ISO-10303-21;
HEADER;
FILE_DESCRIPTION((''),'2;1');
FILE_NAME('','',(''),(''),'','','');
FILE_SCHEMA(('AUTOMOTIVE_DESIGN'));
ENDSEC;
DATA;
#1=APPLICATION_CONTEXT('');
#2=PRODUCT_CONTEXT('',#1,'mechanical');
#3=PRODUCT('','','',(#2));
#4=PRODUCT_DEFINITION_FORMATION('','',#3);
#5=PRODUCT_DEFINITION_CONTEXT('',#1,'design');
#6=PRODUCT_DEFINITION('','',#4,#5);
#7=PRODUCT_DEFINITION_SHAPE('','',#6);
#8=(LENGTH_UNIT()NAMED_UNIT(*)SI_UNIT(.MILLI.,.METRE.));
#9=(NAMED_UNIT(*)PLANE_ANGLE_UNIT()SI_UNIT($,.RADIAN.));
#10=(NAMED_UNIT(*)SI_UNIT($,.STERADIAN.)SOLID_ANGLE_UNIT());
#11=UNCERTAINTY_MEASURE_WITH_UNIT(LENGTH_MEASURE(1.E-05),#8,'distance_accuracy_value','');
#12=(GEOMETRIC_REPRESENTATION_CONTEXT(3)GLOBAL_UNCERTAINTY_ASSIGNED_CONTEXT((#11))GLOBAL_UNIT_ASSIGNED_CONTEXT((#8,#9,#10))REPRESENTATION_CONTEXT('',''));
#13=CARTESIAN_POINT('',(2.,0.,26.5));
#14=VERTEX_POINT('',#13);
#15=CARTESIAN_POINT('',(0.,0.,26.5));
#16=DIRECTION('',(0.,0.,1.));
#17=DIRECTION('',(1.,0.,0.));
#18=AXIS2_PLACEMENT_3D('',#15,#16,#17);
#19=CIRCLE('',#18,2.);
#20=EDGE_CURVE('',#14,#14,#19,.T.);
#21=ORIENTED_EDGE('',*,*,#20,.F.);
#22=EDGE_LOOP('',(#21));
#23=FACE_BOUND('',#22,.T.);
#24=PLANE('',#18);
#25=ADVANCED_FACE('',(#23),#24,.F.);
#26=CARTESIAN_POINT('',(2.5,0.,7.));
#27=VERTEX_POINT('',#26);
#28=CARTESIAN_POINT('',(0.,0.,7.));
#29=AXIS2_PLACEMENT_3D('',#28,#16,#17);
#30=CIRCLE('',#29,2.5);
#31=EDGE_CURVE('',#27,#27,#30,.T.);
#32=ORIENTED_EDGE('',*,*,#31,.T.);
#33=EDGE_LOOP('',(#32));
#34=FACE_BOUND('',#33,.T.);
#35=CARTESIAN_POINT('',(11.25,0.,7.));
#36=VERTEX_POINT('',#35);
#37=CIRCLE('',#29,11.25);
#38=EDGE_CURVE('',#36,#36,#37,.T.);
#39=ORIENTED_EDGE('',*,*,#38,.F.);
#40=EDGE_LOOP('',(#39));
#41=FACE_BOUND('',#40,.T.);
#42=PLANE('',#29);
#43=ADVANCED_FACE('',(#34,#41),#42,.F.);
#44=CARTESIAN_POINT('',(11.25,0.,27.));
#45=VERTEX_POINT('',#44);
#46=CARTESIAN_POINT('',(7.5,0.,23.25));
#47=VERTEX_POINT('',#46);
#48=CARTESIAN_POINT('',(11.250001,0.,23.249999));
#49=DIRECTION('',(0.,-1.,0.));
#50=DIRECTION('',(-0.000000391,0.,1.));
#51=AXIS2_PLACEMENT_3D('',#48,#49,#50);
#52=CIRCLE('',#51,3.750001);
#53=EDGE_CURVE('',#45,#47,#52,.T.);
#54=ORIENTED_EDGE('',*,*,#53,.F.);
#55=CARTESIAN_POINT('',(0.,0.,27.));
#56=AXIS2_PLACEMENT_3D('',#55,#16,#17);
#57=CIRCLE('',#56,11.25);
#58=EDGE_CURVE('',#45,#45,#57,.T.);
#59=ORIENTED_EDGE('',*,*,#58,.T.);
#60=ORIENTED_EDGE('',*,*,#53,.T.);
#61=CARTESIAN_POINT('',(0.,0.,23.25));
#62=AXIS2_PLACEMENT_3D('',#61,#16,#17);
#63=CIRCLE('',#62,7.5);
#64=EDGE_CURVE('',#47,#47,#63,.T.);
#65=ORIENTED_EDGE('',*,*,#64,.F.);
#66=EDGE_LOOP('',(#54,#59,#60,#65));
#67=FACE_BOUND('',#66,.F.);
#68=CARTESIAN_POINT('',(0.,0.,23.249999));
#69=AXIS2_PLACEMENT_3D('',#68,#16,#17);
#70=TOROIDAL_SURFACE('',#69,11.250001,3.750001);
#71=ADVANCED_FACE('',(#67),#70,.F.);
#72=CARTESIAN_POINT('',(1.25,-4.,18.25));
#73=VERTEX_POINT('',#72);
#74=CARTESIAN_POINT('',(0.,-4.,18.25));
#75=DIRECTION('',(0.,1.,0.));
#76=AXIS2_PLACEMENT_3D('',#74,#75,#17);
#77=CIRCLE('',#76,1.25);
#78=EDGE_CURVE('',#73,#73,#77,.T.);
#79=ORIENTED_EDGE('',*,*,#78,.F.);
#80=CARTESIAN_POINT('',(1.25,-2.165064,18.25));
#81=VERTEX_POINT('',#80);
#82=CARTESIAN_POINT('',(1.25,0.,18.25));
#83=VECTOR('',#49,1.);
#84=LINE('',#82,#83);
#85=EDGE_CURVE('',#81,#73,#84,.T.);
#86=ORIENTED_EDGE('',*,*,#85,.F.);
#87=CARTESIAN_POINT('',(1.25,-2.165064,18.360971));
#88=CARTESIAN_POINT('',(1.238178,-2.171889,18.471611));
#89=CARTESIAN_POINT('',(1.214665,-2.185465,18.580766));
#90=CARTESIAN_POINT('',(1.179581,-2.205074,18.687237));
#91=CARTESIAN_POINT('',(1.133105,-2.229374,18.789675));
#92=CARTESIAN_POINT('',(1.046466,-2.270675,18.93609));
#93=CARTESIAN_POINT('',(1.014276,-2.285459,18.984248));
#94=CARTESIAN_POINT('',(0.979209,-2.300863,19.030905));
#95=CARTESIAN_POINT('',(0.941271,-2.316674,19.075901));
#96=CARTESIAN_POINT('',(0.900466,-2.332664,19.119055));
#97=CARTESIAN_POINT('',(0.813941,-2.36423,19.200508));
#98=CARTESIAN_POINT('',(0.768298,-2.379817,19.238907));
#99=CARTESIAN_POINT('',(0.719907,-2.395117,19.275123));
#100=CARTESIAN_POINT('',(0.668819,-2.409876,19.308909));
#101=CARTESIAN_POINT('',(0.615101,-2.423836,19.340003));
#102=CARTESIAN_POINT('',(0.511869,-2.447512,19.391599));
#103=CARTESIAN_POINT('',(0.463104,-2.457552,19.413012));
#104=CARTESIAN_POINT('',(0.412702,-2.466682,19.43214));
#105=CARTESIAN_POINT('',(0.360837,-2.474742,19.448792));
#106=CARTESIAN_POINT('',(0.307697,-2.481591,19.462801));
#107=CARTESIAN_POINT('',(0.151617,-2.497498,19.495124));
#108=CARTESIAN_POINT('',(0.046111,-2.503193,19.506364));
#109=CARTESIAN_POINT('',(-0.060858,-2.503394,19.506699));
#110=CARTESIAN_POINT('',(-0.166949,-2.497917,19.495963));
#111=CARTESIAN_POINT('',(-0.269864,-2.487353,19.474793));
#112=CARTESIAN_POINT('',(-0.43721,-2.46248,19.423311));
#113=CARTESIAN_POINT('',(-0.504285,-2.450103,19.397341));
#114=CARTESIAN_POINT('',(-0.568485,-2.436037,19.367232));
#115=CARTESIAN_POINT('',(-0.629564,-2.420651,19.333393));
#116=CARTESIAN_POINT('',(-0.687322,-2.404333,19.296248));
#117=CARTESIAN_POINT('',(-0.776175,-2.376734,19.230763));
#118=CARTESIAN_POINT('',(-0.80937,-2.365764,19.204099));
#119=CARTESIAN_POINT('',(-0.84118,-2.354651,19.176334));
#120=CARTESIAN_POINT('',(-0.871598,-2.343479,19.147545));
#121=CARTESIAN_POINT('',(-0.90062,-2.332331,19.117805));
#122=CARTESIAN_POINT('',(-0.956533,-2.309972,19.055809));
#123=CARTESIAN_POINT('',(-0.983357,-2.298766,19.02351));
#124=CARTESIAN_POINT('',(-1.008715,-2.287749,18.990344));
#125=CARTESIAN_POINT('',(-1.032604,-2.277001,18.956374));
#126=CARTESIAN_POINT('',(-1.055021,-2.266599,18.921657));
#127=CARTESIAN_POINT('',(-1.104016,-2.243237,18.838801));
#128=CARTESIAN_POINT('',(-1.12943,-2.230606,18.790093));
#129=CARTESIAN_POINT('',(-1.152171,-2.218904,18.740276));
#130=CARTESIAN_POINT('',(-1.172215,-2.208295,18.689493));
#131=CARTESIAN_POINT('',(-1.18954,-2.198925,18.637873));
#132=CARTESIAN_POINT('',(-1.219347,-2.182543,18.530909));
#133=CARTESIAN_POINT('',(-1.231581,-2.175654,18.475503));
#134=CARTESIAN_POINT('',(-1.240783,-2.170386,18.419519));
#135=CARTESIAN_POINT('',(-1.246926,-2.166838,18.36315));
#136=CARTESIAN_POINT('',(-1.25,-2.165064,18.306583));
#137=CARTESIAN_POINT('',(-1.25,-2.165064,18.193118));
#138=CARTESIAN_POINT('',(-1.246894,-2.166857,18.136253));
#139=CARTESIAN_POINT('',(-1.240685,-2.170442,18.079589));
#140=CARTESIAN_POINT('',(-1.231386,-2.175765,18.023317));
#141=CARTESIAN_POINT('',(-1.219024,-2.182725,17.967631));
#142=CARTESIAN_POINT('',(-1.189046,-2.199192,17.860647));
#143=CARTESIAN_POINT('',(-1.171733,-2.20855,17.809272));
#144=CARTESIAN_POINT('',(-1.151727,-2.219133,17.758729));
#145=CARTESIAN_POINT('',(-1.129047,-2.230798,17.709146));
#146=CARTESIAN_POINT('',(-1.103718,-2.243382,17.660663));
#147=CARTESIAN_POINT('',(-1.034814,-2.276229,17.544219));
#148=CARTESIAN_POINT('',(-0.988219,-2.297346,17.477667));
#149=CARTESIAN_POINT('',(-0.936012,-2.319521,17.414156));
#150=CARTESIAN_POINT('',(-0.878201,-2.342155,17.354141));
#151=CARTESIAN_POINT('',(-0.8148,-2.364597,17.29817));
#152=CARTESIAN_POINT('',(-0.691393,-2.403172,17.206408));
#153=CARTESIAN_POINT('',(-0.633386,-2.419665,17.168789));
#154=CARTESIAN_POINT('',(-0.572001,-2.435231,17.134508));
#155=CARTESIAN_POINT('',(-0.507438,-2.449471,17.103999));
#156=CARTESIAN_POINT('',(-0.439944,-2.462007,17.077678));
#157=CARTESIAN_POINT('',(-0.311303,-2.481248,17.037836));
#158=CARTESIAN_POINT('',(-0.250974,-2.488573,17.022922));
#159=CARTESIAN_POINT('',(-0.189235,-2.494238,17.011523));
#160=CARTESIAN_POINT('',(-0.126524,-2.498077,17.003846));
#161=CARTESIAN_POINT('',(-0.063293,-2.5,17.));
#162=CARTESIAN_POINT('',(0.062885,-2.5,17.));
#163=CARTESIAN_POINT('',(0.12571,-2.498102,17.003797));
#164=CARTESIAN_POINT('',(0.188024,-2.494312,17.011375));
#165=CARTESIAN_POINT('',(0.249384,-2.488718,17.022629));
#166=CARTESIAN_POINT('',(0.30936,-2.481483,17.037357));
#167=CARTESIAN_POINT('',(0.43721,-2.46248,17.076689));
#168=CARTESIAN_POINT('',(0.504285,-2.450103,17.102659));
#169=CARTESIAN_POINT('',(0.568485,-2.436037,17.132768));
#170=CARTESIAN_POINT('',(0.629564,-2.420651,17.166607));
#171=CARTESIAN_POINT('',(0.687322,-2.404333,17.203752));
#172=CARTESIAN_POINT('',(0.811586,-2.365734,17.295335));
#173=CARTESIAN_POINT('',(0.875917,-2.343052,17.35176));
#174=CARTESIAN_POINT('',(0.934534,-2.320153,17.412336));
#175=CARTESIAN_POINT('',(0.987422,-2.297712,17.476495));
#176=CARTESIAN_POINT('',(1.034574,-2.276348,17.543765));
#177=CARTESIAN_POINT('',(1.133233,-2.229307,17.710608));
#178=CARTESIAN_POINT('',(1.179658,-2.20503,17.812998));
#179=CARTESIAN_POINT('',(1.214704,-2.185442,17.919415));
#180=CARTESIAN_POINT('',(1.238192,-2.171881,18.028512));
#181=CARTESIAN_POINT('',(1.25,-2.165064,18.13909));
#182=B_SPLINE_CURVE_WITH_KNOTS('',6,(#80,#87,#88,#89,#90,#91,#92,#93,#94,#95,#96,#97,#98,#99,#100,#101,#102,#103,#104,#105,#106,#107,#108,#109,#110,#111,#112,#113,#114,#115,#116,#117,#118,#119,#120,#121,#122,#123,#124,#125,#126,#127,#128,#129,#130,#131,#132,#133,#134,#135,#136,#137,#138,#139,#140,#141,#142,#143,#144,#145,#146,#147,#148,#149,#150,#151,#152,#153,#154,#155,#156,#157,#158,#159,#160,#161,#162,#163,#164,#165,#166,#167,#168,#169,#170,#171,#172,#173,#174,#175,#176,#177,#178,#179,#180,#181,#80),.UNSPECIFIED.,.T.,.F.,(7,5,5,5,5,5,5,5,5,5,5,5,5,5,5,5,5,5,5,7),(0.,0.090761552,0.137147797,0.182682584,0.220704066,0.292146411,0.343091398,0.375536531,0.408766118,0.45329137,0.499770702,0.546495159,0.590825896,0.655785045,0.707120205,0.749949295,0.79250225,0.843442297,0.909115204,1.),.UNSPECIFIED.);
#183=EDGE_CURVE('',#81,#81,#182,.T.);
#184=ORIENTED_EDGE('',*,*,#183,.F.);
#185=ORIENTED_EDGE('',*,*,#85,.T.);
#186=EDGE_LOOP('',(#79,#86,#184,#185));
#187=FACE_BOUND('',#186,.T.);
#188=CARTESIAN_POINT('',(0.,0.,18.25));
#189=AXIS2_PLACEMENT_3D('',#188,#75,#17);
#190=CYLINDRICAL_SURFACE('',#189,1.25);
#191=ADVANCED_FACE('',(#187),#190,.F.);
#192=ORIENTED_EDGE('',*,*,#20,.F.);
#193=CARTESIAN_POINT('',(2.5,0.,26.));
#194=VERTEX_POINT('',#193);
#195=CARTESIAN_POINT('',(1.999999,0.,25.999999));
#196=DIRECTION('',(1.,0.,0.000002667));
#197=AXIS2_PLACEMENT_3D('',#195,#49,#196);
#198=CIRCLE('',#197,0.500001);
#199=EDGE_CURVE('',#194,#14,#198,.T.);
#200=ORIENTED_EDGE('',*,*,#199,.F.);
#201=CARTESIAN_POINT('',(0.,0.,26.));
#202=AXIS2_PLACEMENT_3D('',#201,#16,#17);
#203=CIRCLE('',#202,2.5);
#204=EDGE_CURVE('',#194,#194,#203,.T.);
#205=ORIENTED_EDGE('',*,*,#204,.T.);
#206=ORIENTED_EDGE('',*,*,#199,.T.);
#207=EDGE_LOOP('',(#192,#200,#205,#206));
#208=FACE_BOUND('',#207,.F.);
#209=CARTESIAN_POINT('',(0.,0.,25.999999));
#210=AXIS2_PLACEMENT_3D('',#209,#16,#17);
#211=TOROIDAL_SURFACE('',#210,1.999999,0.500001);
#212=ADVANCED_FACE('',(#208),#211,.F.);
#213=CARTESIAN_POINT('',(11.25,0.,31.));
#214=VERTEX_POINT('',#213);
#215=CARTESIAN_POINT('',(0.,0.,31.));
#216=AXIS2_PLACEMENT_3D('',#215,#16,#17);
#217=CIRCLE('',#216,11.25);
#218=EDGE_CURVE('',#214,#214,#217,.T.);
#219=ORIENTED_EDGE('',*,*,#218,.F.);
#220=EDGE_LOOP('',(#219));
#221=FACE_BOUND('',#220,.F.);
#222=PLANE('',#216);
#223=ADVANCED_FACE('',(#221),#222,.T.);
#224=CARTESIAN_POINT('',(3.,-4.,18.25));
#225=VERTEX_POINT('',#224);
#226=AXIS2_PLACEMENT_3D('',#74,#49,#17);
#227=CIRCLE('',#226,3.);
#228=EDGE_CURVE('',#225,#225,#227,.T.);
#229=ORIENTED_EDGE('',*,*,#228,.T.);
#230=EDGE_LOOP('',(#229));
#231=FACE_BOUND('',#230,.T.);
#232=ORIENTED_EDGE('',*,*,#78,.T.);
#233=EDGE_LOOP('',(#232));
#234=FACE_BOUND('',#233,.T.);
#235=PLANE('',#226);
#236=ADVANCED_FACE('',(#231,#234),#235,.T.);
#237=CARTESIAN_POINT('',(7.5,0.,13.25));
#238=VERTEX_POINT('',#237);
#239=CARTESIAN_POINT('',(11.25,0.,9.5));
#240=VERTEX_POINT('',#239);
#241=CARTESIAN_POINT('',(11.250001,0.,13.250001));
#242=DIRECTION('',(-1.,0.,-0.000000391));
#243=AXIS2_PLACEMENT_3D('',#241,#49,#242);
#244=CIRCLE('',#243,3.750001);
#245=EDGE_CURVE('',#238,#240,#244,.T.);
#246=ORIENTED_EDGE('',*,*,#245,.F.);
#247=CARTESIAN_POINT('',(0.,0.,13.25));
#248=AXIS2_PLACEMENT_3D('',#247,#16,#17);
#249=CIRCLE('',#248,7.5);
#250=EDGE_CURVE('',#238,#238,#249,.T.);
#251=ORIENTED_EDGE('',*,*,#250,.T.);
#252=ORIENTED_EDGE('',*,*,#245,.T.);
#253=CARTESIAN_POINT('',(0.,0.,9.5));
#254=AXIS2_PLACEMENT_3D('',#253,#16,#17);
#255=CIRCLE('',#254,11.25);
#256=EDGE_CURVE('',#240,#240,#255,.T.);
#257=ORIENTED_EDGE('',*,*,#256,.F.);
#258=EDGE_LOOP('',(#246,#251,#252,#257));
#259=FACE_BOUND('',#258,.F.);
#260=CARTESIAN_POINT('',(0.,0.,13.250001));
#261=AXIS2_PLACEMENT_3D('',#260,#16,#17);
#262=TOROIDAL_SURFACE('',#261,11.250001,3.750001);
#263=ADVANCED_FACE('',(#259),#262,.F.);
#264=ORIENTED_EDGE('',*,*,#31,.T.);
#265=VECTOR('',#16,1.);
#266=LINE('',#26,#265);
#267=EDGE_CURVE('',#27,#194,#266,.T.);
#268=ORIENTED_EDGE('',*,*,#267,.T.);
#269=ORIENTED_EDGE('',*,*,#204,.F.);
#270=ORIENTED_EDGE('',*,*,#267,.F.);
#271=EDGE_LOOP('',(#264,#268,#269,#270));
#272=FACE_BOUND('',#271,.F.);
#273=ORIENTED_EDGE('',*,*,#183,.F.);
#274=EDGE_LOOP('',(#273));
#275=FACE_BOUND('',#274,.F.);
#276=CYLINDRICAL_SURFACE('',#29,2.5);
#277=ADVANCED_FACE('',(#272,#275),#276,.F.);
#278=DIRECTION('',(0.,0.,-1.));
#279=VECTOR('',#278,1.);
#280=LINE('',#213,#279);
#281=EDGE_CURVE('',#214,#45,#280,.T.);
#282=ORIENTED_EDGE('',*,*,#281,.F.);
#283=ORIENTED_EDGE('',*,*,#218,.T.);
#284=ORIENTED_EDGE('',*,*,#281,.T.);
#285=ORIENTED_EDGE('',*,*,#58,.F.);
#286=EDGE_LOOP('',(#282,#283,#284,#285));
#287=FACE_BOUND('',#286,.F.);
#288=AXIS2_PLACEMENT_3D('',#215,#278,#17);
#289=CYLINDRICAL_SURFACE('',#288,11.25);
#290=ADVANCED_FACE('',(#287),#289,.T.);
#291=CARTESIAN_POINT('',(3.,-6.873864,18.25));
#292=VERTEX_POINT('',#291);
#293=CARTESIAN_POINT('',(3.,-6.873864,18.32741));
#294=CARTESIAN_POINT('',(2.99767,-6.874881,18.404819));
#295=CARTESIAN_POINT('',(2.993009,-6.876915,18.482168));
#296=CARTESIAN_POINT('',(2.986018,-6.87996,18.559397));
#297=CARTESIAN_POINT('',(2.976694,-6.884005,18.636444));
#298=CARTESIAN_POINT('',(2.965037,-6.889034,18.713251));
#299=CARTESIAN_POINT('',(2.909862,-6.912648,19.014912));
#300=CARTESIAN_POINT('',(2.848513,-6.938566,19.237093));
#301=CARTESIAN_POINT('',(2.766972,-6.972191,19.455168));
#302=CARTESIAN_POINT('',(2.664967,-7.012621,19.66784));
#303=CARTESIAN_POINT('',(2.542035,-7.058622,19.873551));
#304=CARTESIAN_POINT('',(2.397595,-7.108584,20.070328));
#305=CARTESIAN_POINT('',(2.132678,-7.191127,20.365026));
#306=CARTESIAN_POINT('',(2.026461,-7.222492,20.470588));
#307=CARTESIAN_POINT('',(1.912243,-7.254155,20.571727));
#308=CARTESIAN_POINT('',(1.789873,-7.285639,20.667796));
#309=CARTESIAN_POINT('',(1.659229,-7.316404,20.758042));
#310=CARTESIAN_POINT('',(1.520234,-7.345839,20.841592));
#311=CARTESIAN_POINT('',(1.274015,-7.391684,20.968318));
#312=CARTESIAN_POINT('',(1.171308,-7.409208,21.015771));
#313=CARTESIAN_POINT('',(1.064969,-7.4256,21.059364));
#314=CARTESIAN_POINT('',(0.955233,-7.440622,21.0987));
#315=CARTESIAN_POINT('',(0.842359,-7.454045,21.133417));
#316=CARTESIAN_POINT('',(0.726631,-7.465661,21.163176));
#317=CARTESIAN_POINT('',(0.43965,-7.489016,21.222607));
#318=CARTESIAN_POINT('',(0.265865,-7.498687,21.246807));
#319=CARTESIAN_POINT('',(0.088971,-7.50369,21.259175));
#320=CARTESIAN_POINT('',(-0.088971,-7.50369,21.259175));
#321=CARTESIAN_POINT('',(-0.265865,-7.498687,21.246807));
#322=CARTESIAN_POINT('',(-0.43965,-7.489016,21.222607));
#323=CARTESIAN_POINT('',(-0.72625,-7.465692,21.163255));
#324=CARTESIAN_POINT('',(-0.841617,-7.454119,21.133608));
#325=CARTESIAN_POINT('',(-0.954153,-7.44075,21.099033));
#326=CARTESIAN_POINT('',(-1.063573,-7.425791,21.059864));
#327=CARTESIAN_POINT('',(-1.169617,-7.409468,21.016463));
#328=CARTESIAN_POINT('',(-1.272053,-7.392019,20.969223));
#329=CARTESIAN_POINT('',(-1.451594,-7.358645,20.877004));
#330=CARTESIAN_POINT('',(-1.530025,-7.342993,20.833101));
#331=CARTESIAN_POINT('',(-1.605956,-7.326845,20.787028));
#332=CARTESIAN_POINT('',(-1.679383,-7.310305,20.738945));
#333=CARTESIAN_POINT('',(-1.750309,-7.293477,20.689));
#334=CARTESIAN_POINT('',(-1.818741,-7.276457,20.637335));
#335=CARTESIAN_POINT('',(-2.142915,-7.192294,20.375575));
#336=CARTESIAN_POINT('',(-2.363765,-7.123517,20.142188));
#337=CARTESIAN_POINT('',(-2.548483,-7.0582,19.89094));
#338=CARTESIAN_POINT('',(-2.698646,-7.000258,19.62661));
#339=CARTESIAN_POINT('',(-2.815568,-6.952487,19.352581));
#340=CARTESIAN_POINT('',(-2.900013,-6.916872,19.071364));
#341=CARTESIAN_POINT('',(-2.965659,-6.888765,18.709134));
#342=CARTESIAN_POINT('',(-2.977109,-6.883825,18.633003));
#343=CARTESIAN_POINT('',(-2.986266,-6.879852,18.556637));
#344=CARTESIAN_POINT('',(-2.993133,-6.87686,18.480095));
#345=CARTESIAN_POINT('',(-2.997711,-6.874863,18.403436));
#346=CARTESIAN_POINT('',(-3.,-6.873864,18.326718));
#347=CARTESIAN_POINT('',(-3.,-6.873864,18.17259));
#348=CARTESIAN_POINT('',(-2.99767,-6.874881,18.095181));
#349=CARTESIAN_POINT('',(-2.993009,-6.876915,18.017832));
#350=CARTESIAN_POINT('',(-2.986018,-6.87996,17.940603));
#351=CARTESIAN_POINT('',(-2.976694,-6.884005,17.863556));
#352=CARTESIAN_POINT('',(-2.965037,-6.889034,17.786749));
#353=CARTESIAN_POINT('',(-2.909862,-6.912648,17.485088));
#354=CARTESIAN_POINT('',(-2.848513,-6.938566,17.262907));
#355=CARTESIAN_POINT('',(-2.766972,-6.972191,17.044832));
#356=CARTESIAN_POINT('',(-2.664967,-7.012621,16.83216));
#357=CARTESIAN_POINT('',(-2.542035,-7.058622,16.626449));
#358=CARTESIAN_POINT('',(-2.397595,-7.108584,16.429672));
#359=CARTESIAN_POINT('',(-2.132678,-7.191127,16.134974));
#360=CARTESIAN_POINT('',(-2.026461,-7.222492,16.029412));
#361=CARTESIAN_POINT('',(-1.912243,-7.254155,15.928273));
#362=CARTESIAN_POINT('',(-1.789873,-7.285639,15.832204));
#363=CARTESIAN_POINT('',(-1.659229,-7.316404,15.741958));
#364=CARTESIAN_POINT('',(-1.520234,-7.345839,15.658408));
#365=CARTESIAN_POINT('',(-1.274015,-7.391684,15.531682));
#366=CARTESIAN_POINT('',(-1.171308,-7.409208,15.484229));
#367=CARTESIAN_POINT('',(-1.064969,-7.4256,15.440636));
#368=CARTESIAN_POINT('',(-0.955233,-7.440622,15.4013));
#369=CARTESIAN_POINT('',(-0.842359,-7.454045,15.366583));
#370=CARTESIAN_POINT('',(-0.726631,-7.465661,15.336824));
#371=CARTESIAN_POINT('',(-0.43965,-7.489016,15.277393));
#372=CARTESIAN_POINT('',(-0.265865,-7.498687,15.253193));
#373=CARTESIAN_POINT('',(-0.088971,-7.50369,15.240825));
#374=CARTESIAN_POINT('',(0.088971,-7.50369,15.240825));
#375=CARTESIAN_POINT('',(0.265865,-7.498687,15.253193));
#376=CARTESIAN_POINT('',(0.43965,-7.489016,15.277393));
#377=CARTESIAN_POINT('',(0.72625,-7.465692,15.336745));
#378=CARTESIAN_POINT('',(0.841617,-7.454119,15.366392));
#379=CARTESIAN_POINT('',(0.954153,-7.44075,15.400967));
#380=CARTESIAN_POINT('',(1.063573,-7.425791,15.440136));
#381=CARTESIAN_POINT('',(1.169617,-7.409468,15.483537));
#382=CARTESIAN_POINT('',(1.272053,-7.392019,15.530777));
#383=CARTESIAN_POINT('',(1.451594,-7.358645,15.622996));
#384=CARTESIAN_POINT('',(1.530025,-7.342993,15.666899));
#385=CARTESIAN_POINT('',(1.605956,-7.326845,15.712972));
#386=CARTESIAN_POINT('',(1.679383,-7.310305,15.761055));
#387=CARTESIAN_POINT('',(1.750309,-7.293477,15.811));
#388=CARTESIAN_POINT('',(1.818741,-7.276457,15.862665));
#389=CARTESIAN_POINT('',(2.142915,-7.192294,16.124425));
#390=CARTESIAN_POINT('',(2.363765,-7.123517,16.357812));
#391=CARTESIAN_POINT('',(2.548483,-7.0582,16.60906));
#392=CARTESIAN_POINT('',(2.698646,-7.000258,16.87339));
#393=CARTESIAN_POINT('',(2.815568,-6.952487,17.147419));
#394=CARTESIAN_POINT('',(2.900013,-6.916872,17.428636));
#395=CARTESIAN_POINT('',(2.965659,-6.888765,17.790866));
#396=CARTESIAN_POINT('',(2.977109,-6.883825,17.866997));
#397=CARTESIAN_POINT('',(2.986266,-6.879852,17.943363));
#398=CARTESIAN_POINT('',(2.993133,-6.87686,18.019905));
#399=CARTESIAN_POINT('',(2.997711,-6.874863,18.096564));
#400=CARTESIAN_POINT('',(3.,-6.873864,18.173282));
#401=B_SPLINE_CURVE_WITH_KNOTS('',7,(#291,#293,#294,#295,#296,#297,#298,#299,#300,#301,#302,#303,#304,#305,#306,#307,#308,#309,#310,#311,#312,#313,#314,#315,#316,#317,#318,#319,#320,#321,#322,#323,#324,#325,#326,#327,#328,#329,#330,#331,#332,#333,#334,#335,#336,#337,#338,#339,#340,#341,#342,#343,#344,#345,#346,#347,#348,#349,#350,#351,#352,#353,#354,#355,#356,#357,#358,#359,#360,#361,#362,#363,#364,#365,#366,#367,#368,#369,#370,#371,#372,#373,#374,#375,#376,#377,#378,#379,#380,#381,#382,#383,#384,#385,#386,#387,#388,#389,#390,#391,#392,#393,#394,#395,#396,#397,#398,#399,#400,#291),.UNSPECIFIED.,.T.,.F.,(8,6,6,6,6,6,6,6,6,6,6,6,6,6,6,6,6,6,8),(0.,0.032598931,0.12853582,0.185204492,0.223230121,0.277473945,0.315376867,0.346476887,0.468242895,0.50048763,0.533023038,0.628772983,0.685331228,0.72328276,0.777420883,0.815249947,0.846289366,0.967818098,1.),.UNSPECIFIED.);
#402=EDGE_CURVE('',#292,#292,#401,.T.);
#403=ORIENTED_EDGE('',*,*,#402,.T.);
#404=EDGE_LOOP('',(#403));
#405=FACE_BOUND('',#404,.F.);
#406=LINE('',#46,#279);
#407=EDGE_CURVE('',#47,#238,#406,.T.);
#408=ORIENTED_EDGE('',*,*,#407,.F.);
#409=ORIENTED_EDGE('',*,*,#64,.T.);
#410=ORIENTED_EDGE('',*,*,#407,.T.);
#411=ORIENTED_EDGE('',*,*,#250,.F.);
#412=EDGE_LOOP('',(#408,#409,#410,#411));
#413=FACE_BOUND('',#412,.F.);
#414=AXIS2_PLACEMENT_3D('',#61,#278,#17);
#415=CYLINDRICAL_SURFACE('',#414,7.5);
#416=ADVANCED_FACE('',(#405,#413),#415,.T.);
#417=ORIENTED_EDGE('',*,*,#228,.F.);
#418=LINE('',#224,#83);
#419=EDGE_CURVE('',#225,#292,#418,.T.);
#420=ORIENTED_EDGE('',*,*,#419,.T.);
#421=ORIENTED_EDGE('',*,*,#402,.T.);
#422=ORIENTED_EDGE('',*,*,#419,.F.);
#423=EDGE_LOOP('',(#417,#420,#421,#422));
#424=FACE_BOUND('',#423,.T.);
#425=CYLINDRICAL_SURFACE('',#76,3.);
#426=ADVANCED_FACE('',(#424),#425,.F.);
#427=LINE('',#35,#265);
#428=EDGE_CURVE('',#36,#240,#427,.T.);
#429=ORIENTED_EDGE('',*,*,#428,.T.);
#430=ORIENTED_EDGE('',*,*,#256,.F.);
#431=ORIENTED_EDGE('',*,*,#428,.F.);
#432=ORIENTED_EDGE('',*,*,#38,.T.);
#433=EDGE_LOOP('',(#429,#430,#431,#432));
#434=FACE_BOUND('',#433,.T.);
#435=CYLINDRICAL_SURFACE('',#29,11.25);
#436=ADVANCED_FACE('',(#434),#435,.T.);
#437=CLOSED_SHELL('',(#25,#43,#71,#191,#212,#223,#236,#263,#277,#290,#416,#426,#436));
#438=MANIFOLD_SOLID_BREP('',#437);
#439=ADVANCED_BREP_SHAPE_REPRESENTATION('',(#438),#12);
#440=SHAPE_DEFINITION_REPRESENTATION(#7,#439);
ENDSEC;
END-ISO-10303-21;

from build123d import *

# Parameters (mm, degrees)
EXTRUDE001_START = 4
SKETCH002_R      = 3
EXTRUDE001_DEPTH = 3.5
SKETCH001_R      = 1.25
EXTRUDE_DEPTH    = 10


with BuildPart() as extrude001:
    # Sketch002 → Extrude001 (new body)
    with BuildSketch(Plane.XZ.offset(EXTRUDE001_START)):
        with Locations((0, 18.25)):
            Circle(SKETCH002_R)
    extrude(amount=EXTRUDE001_DEPTH)


with BuildPart() as fusion:
    # Sketch001 → Extrude (new body)
    with BuildSketch(Plane.XZ):
        with Locations((0, 18.25)):
            Circle(SKETCH001_R)
    extrude(amount=EXTRUDE_DEPTH)

    # Fusion: union Extrude001
    add(extrude001.part)


with BuildPart() as nya:
    # Sketch → Revolve (revolve)
    with BuildSketch(Plane.XZ):
        with BuildLine():
            Line((2.5, 7), (2.5, 26))
            ThreePointArc((2.5, 26), (2.353553, 26.353553), (2, 26.5))
            Line((0, 26.5), (2, 26.5))
            Line((0, 31), (0, 26.5))
            Line((0, 31), (11.25, 31))
            Line((11.25, 31), (11.25, 27))
            ThreePointArc((11.25, 27), (8.59835, 25.90165), (7.5, 23.25))
            Line((7.5, 23.25), (7.5, 13.25))
            ThreePointArc((7.5, 13.25), (8.59835, 10.59835), (11.25, 9.5))
            Line((11.25, 7), (11.25, 9.5))
            Line((2.5, 7), (11.25, 7))
        make_face()
    revolve(axis=Axis((0, 0, 0), (0, 0, 1)))

    # Cut: cut Fusion
    add(fusion.part, mode=Mode.SUBTRACT)


solid = nya.part
